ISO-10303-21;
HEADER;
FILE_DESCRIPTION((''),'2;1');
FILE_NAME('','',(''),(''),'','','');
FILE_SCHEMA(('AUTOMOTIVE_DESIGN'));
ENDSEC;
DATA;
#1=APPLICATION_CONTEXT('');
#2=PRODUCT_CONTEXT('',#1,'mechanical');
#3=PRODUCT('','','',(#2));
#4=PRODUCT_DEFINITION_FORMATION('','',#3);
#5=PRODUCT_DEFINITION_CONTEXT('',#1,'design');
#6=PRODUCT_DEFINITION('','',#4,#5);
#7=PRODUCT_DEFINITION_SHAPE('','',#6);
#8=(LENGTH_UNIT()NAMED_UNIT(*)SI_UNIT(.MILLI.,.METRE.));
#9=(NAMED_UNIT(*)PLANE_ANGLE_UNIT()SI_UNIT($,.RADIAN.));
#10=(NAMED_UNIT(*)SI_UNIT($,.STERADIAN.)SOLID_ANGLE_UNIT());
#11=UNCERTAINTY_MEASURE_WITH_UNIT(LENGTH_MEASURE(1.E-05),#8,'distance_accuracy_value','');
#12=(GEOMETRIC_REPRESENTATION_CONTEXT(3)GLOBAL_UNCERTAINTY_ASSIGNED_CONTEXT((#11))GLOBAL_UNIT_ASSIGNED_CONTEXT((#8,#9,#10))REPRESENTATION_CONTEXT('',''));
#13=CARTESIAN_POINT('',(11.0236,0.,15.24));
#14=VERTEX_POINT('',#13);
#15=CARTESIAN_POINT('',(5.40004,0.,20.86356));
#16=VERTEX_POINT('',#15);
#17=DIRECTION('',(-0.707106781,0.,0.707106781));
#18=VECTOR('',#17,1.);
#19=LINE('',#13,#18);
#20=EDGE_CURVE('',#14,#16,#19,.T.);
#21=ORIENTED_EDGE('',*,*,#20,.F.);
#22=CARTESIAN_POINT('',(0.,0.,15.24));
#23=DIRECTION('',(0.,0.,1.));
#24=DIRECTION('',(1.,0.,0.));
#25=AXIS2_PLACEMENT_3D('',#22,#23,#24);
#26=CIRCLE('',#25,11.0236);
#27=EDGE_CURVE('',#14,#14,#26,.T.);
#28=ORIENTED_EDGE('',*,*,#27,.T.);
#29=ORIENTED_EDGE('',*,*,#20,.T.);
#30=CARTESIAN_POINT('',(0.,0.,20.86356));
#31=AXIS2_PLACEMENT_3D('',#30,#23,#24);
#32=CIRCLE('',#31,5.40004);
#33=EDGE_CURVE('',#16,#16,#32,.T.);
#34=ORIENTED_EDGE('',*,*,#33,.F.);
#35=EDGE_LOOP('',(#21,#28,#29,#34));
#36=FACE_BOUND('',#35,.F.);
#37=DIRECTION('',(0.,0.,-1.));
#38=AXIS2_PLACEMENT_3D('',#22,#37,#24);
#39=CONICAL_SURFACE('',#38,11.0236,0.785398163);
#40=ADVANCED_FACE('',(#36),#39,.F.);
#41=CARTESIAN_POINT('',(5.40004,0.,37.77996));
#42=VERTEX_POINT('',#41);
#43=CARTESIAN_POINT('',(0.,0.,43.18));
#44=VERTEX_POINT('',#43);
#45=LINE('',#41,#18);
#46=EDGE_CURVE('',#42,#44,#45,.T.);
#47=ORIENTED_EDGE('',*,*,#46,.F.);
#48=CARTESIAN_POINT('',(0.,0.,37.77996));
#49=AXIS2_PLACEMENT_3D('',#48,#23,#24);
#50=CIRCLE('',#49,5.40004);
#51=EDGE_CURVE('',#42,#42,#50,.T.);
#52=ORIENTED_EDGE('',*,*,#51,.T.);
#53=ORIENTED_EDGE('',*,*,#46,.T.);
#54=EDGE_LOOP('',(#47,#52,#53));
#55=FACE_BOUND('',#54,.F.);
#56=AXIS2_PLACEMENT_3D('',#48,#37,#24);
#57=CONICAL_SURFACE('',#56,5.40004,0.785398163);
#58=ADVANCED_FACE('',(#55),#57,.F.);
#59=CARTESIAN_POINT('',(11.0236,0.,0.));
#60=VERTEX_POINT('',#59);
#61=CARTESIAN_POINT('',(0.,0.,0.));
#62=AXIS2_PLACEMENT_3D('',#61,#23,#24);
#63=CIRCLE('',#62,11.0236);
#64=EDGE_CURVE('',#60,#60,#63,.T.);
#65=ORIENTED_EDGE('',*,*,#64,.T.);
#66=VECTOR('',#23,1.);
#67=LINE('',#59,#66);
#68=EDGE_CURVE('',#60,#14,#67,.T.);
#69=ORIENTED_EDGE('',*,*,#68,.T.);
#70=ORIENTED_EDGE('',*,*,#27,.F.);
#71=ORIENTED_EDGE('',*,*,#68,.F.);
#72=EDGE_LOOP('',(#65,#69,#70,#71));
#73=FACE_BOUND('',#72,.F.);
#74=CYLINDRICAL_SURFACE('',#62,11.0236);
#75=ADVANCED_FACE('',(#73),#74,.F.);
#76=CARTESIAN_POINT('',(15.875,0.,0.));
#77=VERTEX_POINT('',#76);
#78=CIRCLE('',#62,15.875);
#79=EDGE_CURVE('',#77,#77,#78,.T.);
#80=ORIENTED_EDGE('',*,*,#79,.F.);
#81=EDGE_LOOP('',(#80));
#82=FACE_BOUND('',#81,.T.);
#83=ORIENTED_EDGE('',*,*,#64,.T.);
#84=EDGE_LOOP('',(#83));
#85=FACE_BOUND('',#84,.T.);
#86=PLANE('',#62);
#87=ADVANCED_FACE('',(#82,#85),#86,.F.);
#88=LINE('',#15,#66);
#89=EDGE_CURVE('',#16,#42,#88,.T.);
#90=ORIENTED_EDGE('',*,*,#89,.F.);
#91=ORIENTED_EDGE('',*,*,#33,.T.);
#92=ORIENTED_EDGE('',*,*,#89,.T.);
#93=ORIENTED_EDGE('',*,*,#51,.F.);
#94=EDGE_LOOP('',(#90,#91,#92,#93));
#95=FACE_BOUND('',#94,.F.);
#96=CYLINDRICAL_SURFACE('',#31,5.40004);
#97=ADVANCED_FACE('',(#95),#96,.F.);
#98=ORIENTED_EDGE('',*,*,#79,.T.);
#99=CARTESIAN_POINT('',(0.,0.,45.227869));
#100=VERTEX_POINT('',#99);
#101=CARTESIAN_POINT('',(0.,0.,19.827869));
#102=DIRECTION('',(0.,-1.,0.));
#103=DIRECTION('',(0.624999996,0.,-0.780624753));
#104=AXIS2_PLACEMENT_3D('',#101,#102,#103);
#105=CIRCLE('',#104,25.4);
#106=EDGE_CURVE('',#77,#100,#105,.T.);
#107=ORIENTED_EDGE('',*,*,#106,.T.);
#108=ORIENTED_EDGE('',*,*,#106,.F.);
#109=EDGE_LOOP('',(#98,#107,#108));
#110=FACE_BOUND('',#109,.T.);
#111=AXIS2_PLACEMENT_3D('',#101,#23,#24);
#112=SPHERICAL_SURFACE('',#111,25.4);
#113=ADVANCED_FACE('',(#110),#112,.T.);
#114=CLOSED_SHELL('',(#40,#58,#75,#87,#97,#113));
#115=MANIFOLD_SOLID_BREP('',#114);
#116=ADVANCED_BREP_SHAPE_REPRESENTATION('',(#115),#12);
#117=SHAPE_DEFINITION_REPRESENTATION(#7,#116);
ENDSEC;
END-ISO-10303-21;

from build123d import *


with BuildPart() as f1:
    # F0 (on Front) → F1 (revolve)
    with BuildSketch(Plane.XZ):
        with BuildLine():
            Line((0, 45.227869), (0, 0))
            Line((0, 0), (15.875, 0))
            ThreePointArc((15.875, 0), (23.966517, 28.240126), (0, 45.227869))
        make_face()
    revolve(axis=Axis((0, 0, 22.613934), (0, 0, 1)))

    # F2 (on Front) → F3 (revolve, cut)
    with BuildSketch(Plane.XZ):
        Polygon((0, 43.18), (0, 0), (11.0236, 0), (11.0236, 15.24), (5.40004, 20.86356), (5.40004, 37.77996), align=None)
    revolve(axis=Axis((0, 0, 21.59), (0, 0, 1)), mode=Mode.SUBTRACT)


solid = f1.part
